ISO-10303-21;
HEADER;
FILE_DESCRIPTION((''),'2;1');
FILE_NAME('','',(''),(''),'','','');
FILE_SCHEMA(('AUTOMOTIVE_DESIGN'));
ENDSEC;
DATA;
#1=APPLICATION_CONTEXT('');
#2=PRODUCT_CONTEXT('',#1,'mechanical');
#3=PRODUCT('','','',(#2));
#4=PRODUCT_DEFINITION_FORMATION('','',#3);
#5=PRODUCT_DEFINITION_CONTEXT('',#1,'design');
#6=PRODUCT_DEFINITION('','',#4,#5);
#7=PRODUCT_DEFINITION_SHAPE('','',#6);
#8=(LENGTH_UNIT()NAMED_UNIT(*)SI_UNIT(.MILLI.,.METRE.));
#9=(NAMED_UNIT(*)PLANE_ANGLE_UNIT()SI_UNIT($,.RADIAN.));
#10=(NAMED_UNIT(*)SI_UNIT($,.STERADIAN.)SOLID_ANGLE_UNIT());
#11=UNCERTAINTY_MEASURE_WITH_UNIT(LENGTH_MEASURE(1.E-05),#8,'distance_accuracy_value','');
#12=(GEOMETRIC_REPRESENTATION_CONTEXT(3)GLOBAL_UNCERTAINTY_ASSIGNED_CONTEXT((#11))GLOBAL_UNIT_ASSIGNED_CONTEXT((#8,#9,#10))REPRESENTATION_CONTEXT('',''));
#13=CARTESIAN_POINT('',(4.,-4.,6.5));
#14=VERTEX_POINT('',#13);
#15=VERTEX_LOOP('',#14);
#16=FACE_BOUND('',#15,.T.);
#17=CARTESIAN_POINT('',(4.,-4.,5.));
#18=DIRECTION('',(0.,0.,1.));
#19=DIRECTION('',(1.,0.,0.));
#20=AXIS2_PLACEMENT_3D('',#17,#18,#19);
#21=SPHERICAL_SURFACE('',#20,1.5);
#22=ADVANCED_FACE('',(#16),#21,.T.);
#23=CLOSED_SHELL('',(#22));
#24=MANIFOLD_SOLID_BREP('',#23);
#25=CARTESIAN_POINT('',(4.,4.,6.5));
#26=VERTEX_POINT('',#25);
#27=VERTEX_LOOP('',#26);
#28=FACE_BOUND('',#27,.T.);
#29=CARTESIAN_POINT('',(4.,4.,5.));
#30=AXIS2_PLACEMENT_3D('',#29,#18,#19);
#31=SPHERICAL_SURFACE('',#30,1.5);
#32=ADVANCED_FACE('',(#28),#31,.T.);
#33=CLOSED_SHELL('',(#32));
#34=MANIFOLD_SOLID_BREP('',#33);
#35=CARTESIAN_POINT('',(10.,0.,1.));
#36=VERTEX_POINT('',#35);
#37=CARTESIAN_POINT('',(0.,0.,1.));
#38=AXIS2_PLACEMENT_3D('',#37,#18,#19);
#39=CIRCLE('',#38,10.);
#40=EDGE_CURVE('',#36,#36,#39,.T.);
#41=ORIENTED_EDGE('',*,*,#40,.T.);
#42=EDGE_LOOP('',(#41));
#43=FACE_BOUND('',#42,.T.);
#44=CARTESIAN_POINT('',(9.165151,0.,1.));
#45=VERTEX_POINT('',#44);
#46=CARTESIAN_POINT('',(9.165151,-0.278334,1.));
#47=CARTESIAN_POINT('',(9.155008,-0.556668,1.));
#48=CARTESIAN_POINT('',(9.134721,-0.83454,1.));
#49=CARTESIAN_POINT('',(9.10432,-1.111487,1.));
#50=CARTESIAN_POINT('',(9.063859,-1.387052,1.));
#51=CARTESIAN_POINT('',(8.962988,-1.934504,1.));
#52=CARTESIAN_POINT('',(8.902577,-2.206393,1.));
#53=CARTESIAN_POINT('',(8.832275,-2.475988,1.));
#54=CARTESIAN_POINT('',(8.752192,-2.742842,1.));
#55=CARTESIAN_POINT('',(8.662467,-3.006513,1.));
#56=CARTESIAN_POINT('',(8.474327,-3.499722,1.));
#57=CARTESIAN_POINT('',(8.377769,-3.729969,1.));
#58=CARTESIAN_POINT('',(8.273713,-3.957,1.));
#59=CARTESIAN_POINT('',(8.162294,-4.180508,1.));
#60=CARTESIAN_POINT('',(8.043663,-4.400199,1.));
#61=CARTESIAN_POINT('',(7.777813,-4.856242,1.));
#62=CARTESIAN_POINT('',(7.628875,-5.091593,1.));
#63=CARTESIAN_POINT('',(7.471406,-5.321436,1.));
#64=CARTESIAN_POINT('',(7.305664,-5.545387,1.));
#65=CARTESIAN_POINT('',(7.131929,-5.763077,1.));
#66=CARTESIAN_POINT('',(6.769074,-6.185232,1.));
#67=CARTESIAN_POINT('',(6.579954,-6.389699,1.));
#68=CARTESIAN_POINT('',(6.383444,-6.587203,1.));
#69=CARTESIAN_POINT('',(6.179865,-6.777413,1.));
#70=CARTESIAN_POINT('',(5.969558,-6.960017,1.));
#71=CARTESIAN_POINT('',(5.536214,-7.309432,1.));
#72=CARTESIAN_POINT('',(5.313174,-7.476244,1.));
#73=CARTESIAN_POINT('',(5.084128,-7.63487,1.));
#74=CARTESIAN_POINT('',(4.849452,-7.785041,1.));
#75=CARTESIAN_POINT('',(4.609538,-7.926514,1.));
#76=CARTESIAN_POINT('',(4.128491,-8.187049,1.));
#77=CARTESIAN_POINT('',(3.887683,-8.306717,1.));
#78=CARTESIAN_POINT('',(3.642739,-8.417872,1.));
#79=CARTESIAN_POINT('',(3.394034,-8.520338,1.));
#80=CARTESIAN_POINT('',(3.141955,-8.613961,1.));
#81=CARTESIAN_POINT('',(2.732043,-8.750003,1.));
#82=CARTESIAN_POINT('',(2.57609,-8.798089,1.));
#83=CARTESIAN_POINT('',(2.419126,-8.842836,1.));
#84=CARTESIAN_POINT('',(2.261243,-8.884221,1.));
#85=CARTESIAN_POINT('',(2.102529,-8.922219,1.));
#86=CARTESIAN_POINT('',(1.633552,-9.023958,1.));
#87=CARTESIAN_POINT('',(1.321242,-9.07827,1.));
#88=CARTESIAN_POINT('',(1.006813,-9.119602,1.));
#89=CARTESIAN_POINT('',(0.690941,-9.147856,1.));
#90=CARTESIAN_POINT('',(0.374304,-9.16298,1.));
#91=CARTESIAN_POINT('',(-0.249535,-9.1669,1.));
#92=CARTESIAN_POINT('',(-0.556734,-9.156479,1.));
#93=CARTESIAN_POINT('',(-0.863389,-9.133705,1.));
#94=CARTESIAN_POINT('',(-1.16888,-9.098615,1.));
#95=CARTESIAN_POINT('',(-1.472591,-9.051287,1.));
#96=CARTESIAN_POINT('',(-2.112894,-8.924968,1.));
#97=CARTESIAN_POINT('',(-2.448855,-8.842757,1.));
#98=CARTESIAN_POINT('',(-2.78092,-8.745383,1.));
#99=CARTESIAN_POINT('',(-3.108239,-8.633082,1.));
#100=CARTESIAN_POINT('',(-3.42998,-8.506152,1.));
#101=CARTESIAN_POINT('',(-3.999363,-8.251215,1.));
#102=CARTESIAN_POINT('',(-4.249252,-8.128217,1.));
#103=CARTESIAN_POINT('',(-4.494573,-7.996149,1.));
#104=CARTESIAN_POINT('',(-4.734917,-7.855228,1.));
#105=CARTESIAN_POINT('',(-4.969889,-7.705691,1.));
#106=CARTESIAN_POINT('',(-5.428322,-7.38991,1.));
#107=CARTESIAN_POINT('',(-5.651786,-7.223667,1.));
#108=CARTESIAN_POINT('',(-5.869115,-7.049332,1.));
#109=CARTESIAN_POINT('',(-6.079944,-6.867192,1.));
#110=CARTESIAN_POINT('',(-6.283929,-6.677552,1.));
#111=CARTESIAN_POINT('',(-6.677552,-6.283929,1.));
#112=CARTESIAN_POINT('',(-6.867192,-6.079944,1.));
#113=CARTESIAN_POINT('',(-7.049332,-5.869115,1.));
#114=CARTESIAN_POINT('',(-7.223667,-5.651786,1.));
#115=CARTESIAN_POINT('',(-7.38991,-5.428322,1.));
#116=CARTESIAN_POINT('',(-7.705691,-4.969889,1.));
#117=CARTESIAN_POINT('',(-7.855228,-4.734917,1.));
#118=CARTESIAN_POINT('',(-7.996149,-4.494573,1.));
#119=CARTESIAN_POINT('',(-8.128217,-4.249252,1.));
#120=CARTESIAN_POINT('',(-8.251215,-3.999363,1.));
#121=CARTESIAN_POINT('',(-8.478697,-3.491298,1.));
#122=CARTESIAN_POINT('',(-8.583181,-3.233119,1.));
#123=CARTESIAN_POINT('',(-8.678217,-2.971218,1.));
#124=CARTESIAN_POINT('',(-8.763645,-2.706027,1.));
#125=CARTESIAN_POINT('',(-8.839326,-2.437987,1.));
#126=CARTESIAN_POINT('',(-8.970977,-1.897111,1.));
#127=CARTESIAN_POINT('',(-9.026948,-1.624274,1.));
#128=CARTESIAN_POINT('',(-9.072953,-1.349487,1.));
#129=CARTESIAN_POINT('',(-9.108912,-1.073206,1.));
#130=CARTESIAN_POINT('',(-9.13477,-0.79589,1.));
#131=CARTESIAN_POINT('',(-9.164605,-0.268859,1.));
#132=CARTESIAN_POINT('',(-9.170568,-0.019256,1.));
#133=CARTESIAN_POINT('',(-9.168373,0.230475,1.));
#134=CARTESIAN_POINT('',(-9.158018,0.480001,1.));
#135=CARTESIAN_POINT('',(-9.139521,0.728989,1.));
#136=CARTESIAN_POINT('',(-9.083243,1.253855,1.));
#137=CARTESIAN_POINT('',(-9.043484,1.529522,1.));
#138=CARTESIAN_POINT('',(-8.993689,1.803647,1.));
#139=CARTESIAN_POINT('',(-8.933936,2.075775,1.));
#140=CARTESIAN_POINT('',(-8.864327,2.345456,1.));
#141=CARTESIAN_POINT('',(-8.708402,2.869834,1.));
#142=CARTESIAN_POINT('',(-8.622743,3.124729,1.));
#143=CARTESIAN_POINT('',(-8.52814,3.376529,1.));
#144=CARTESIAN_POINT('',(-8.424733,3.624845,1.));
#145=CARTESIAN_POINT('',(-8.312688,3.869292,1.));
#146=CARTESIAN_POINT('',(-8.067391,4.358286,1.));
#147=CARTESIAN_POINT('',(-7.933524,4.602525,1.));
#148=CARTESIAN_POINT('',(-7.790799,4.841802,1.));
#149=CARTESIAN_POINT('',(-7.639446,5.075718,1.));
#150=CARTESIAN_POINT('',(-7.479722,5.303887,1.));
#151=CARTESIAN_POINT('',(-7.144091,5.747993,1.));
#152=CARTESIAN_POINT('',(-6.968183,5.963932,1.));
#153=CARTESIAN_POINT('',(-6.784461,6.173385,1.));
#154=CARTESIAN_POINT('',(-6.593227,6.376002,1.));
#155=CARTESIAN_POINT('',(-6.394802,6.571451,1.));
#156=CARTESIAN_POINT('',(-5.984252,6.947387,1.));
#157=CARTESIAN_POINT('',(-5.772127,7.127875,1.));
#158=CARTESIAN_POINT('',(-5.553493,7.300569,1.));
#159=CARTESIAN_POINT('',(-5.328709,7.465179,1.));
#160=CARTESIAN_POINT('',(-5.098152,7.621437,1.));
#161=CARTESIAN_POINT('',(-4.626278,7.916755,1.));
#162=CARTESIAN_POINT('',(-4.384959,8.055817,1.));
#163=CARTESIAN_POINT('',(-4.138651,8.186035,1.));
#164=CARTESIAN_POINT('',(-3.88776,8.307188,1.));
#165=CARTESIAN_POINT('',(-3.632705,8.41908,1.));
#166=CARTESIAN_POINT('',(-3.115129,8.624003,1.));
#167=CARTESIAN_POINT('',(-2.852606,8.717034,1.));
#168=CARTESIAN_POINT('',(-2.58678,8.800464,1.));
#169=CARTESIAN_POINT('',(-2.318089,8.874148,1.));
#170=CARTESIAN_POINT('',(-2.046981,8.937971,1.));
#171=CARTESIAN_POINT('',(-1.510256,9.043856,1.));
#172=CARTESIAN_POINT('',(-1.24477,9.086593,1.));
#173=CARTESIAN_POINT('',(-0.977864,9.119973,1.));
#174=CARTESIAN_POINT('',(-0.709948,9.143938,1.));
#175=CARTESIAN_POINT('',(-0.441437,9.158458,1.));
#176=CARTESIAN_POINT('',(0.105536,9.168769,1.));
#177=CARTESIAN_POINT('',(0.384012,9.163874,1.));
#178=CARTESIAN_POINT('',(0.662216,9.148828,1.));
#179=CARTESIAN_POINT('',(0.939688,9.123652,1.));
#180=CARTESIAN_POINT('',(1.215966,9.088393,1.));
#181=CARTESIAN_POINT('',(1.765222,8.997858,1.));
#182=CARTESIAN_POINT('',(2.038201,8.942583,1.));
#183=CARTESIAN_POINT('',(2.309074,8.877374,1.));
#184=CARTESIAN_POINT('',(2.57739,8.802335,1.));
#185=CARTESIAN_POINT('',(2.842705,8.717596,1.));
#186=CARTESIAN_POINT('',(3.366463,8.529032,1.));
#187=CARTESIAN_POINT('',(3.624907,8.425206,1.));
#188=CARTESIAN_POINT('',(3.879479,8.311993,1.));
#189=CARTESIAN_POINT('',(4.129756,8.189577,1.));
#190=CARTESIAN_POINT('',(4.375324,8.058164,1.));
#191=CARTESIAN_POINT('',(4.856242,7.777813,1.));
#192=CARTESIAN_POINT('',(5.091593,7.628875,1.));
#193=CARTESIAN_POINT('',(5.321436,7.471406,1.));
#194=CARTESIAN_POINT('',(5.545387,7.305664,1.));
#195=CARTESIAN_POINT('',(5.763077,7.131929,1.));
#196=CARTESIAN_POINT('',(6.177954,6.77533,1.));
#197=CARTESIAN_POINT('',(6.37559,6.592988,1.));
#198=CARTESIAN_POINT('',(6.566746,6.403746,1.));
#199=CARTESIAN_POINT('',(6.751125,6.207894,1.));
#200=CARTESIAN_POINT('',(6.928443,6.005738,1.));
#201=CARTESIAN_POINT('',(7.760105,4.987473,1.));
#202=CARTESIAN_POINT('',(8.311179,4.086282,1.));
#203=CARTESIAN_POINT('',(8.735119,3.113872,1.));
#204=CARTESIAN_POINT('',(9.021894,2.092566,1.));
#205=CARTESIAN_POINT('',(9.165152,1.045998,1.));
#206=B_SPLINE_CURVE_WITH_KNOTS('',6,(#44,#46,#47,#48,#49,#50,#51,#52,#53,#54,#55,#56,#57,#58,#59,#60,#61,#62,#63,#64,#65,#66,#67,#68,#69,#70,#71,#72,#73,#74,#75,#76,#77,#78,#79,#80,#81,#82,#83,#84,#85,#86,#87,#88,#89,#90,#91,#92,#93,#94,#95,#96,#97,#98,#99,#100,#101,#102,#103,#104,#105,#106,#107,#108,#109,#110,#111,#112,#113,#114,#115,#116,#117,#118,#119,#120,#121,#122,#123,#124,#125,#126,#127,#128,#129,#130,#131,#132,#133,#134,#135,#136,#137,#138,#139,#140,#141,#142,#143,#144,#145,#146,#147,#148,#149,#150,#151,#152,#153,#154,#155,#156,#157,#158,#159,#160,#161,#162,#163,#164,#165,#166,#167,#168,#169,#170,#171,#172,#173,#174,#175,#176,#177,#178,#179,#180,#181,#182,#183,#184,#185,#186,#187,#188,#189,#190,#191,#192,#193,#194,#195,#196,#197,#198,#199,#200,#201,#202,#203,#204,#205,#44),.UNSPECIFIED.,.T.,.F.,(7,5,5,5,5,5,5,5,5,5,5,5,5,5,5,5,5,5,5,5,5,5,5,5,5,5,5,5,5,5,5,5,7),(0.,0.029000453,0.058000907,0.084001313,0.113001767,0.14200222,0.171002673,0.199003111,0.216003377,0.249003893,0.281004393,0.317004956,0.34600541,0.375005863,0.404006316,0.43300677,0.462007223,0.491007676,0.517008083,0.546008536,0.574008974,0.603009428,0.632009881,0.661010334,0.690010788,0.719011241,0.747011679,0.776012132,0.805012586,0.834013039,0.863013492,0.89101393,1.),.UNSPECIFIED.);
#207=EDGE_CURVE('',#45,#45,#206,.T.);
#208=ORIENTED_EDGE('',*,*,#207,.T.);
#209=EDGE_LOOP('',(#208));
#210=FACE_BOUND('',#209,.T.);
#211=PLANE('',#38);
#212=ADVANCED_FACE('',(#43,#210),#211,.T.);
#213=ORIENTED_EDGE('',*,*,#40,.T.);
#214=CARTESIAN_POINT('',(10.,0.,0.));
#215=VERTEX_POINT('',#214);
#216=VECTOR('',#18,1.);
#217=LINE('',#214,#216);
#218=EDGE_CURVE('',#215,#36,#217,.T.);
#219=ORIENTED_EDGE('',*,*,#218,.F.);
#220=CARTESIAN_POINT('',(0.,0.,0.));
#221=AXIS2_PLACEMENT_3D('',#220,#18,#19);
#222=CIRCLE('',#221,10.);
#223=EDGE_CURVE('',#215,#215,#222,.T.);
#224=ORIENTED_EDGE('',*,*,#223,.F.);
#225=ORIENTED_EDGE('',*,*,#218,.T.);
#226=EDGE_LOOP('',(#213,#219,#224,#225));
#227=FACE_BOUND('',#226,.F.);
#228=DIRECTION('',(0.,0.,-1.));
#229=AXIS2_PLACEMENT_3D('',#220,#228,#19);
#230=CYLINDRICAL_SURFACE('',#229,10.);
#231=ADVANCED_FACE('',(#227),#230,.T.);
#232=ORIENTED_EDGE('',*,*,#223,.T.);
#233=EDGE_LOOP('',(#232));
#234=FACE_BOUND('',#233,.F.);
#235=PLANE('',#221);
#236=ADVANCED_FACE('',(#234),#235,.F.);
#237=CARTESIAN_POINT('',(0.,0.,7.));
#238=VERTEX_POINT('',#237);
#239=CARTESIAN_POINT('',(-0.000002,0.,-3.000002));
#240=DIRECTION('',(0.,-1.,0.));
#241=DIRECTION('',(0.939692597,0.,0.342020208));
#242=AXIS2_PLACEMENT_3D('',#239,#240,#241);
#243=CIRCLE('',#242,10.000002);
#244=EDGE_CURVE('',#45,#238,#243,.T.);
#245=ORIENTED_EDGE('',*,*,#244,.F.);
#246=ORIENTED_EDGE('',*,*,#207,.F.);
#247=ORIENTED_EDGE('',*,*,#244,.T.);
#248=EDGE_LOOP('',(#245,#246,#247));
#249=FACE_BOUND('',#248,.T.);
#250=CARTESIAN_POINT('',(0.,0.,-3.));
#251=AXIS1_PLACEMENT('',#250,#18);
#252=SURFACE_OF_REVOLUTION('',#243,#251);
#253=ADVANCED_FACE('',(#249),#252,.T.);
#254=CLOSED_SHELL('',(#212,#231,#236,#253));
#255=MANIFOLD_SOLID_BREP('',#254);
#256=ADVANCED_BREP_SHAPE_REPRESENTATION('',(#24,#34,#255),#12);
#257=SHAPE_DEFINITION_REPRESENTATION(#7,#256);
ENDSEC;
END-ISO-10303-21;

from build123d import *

# Parameters (mm, degrees)
CYLINDER_R     = 10
CYLINDER_DEPTH = 1


with BuildPart() as esfera:
    # Sphere → Sphere (revolve)
    with BuildSketch(Plane(origin=(0, 0, -3), x_dir=(1, 0, 0), z_dir=(0, -1, 0))):
        with BuildLine():
            ThreePointArc((9.396926, 3.420201), (5.735764, 8.19152), (0, 10))
            Line((0, 10), (0, 3.420201))
            Line((0, 3.420201), (9.396926, 3.420201))
        make_face()
    revolve(axis=Axis((0, 0, -3), (0, 0, 1)))


with BuildPart() as fusion:
    # Cylinder → Cylinder (new body)
    with BuildSketch(Plane.XY):
        Circle(CYLINDER_R)
    extrude(amount=CYLINDER_DEPTH)

    # Fusion: union Esfera
    add(esfera.part)


with BuildPart() as esfera001:
    # Sphere001 → Sphere001 (revolve)
    with BuildSketch(Plane(origin=(4, -4, 5), x_dir=(1, 0, 0), z_dir=(0, -1, 0))):
        with BuildLine():
            ThreePointArc((0, -1.5), (1.5, 0), (0, 1.5))
            Line((0, 1.5), (0, -1.5))
        make_face()
    revolve(axis=Axis((4, -4, 5), (0, 0, 1)))


with BuildPart() as fusion001:
    # Sphere002 → Sphere002 (revolve)
    with BuildSketch(Plane(origin=(4, 4, 5), x_dir=(1, 0, 0), z_dir=(0, -1, 0))):
        with BuildLine():
            ThreePointArc((0, -1.5), (1.5, 0), (0, 1.5))
            Line((0, 1.5), (0, -1.5))
        make_face()
    revolve(axis=Axis((4, 4, 5), (0, 0, 1)))

    # Fusion001: union Esfera001
    add(esfera001.part)


solid = Compound([fusion.part, fusion001.part])
